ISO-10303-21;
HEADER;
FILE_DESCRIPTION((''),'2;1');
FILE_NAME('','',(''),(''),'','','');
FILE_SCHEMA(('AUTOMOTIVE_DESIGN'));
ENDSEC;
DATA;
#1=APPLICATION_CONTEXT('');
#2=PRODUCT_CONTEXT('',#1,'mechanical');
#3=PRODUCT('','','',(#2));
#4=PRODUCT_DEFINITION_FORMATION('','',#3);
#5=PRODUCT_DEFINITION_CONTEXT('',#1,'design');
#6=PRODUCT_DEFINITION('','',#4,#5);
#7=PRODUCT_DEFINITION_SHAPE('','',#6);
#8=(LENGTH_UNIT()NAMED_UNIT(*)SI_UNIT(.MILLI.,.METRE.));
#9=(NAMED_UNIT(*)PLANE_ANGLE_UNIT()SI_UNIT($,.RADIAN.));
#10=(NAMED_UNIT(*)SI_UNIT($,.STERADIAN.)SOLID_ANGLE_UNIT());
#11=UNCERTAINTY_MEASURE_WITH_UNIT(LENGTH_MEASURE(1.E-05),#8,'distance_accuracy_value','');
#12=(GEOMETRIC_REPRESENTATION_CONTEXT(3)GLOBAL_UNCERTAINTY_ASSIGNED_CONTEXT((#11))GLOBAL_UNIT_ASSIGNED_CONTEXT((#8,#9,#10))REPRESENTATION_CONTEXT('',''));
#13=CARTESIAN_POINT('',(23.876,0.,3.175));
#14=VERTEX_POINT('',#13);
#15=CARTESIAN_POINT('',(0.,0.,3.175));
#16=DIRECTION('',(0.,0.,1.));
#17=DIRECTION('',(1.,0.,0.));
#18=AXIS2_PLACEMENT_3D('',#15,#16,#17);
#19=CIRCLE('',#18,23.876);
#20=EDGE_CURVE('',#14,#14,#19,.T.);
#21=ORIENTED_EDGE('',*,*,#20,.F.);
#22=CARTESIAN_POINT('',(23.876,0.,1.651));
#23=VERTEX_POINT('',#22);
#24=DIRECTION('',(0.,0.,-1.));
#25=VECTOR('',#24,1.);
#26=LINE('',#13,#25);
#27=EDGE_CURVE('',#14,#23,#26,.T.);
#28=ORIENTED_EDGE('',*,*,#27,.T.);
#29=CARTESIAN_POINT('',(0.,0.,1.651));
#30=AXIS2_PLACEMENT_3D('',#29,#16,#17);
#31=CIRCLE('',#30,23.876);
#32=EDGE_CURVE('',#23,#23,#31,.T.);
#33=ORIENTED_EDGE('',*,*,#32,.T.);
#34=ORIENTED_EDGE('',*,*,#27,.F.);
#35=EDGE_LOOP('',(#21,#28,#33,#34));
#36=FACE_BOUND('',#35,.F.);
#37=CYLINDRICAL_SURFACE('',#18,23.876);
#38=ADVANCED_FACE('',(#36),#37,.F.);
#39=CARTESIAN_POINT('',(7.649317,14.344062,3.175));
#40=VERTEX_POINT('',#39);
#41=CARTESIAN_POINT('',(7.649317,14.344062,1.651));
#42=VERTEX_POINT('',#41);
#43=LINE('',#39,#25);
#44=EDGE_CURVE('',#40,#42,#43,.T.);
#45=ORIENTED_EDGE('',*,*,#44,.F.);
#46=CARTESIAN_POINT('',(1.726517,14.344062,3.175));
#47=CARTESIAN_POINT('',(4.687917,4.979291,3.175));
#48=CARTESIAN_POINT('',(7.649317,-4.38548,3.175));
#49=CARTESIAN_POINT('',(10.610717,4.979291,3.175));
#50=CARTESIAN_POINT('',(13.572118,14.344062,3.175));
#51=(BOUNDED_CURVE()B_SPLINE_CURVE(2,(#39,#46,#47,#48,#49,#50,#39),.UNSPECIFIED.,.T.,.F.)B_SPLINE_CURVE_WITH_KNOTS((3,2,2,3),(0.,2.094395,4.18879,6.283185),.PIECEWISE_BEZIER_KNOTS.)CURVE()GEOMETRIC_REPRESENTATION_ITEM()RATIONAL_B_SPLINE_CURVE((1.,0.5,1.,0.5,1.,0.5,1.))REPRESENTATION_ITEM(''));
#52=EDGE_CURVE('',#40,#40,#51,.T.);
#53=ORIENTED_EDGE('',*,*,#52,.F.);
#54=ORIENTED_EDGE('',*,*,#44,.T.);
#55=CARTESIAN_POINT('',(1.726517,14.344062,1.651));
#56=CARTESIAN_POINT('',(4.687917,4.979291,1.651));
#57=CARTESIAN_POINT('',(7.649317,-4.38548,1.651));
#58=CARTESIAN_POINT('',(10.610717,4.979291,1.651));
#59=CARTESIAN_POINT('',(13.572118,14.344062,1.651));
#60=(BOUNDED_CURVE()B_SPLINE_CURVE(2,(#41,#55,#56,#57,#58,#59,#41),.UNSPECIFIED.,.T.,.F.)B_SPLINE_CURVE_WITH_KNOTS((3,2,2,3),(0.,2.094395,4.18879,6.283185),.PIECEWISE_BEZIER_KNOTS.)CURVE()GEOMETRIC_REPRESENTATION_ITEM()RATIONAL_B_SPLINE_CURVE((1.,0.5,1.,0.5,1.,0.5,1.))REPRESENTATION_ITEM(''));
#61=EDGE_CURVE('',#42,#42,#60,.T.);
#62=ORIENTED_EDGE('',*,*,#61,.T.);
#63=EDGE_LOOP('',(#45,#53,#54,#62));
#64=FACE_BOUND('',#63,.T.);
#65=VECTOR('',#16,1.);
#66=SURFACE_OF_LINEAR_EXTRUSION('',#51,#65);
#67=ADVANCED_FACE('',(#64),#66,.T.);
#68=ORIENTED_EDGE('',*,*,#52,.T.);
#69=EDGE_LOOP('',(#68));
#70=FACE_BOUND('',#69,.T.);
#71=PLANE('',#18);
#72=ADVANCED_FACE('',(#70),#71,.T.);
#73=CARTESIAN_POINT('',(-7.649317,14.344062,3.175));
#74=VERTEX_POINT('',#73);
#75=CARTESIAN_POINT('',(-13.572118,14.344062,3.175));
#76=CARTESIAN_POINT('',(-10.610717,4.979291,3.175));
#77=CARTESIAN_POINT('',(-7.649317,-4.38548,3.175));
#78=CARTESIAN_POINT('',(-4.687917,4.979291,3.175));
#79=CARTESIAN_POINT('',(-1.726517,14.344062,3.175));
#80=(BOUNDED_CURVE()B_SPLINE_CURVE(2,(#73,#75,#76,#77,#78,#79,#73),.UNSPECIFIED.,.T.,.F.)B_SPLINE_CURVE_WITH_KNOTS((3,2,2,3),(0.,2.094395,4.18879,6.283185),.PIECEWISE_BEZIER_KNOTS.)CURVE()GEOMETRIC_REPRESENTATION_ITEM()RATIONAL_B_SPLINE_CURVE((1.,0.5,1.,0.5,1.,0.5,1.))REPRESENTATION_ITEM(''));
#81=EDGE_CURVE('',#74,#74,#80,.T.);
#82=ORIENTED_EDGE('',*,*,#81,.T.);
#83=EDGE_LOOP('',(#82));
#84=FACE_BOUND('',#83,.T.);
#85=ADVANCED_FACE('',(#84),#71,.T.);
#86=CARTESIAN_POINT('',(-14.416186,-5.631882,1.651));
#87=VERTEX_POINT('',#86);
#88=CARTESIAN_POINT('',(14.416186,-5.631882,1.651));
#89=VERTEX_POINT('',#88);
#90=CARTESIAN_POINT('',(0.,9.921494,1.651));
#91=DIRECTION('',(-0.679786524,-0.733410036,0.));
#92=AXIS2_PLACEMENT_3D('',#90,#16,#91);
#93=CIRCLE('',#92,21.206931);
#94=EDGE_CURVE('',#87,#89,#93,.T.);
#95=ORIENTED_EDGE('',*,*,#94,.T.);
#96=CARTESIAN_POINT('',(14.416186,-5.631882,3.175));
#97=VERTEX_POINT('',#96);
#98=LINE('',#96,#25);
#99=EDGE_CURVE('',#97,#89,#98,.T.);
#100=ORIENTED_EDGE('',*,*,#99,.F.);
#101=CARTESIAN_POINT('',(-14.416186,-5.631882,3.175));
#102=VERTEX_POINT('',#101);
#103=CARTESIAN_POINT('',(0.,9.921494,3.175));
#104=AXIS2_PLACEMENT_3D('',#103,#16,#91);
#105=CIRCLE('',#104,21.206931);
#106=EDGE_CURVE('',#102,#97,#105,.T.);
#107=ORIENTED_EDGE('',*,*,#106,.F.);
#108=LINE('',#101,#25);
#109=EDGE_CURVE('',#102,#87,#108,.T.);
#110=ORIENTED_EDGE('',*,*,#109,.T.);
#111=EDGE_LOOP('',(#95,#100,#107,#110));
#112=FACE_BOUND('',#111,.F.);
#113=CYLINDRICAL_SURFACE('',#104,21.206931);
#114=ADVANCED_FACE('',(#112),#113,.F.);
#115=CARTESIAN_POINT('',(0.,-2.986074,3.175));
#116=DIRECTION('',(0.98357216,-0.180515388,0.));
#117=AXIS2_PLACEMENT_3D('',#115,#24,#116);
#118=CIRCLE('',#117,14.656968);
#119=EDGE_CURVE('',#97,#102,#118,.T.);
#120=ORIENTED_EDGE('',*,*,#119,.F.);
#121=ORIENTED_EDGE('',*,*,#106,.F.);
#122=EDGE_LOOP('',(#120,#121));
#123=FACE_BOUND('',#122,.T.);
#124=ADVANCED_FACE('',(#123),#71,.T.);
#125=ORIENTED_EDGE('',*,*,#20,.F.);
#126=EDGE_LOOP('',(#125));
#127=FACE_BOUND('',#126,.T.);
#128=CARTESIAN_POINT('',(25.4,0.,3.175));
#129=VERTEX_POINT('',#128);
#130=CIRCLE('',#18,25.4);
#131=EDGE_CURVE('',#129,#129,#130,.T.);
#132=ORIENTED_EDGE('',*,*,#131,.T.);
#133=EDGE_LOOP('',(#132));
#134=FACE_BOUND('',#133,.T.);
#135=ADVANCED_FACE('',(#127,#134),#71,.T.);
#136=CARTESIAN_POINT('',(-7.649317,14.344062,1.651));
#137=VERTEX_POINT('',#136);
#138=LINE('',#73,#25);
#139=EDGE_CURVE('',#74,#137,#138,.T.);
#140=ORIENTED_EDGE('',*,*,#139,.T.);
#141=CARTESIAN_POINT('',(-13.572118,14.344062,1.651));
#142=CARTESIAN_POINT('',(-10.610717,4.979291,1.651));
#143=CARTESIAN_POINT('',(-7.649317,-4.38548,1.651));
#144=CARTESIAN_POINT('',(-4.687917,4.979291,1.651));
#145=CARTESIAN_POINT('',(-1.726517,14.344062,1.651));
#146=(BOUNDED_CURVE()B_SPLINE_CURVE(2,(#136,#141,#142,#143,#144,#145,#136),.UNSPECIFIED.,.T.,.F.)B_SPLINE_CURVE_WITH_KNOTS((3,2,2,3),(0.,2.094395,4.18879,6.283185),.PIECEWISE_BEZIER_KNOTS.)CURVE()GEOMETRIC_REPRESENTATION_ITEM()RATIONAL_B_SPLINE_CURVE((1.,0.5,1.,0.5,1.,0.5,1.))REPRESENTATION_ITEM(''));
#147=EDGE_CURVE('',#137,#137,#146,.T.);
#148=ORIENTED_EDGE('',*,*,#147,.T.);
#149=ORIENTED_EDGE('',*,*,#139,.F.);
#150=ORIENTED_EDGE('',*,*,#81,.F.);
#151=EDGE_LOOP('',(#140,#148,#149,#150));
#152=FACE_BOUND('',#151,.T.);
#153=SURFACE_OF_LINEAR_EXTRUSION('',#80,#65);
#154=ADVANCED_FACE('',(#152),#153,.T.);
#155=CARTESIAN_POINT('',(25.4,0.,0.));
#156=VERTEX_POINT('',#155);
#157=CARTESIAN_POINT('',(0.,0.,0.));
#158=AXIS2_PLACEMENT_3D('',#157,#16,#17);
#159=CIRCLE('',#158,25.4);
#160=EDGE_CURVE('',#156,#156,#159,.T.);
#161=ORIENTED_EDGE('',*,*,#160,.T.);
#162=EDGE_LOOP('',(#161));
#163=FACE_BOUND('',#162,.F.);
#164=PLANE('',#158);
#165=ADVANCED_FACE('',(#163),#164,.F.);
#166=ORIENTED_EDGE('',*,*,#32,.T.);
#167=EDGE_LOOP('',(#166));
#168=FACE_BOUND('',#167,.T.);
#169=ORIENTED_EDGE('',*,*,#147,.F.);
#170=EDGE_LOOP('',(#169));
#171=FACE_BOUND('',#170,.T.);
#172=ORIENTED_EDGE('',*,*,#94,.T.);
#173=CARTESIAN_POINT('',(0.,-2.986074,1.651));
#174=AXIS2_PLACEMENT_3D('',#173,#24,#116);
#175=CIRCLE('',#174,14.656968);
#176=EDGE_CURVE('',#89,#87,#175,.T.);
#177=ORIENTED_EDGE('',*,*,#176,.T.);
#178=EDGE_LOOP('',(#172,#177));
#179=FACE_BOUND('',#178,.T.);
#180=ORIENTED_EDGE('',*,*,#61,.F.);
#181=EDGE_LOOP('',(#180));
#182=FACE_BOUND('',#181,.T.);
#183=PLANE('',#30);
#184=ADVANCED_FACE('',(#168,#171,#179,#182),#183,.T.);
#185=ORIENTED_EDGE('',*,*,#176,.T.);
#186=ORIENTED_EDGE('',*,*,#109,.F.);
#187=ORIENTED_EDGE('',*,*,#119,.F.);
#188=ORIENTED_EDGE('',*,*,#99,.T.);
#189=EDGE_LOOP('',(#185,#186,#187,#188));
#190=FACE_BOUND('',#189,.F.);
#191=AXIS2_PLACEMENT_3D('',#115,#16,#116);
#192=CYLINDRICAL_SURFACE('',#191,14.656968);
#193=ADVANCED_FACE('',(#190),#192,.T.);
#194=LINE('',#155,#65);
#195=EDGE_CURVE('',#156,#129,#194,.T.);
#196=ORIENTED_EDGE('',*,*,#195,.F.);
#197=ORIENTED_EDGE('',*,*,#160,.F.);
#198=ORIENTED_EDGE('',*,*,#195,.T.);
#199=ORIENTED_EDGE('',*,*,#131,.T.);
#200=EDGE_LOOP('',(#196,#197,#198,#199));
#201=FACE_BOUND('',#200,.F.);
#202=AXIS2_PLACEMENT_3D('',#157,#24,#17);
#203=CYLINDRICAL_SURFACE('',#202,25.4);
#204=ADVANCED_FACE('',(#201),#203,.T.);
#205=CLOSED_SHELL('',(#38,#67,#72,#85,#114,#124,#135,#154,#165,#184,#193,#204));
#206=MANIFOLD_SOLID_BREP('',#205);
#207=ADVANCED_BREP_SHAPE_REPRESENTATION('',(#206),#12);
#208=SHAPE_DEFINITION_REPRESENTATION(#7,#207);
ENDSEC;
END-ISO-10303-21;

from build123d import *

# Parameters (mm, degrees)
F0_R     = 25.4
F1_DEPTH = 3.175
F2_R     = 23.876
F3_DEPTH = 1.524


with BuildPart() as f1:
    # F0 (on Top) → F1 (new body)
    with BuildSketch(Plane.XY):
        Circle(F0_R)
    extrude(amount=F1_DEPTH)

    # F2 (on face) → F3 (cut)
    with BuildSketch(Plane.XY.offset(3.175)):
        Circle(F2_R)
        with BuildLine():
            ThreePointArc((14.416186, -5.631882), (0, -17.643042), (-14.416186, -5.631882))
            ThreePointArc((-14.416186, -5.631882), (0, -11.285437), (14.416186, -5.631882))
        make_face(mode=Mode.SUBTRACT)
        with BuildLine():
            add(Edge.make_bspline(
                [(-7.649317, 14.344062), (-13.572118, 14.344062), (-10.610717, 4.979291), (-7.649317, -4.38548), (-4.687917, 4.979291), (-1.726517, 14.344062), (-7.649317, 14.344062)],
                knots=[0, 0, 0, 2.094395, 2.094395, 4.18879, 4.18879, 6.283185, 6.283185, 6.283185], degree=2, weights=[1, 0.5, 1, 0.5, 1, 0.5, 1]))
        make_face(mode=Mode.SUBTRACT)
        with BuildLine():
            add(Edge.make_bspline(
                [(7.649317, 14.344062), (1.726517, 14.344062), (4.687917, 4.979291), (7.649317, -4.38548), (10.610717, 4.979291), (13.572118, 14.344062), (7.649317, 14.344062)],
                knots=[0, 0, 0, 2.094395, 2.094395, 4.18879, 4.18879, 6.283185, 6.283185, 6.283185], degree=2, weights=[1, 0.5, 1, 0.5, 1, 0.5, 1]))
        make_face(mode=Mode.SUBTRACT)
    extrude(amount=-F3_DEPTH, mode=Mode.SUBTRACT)


solid = f1.part
